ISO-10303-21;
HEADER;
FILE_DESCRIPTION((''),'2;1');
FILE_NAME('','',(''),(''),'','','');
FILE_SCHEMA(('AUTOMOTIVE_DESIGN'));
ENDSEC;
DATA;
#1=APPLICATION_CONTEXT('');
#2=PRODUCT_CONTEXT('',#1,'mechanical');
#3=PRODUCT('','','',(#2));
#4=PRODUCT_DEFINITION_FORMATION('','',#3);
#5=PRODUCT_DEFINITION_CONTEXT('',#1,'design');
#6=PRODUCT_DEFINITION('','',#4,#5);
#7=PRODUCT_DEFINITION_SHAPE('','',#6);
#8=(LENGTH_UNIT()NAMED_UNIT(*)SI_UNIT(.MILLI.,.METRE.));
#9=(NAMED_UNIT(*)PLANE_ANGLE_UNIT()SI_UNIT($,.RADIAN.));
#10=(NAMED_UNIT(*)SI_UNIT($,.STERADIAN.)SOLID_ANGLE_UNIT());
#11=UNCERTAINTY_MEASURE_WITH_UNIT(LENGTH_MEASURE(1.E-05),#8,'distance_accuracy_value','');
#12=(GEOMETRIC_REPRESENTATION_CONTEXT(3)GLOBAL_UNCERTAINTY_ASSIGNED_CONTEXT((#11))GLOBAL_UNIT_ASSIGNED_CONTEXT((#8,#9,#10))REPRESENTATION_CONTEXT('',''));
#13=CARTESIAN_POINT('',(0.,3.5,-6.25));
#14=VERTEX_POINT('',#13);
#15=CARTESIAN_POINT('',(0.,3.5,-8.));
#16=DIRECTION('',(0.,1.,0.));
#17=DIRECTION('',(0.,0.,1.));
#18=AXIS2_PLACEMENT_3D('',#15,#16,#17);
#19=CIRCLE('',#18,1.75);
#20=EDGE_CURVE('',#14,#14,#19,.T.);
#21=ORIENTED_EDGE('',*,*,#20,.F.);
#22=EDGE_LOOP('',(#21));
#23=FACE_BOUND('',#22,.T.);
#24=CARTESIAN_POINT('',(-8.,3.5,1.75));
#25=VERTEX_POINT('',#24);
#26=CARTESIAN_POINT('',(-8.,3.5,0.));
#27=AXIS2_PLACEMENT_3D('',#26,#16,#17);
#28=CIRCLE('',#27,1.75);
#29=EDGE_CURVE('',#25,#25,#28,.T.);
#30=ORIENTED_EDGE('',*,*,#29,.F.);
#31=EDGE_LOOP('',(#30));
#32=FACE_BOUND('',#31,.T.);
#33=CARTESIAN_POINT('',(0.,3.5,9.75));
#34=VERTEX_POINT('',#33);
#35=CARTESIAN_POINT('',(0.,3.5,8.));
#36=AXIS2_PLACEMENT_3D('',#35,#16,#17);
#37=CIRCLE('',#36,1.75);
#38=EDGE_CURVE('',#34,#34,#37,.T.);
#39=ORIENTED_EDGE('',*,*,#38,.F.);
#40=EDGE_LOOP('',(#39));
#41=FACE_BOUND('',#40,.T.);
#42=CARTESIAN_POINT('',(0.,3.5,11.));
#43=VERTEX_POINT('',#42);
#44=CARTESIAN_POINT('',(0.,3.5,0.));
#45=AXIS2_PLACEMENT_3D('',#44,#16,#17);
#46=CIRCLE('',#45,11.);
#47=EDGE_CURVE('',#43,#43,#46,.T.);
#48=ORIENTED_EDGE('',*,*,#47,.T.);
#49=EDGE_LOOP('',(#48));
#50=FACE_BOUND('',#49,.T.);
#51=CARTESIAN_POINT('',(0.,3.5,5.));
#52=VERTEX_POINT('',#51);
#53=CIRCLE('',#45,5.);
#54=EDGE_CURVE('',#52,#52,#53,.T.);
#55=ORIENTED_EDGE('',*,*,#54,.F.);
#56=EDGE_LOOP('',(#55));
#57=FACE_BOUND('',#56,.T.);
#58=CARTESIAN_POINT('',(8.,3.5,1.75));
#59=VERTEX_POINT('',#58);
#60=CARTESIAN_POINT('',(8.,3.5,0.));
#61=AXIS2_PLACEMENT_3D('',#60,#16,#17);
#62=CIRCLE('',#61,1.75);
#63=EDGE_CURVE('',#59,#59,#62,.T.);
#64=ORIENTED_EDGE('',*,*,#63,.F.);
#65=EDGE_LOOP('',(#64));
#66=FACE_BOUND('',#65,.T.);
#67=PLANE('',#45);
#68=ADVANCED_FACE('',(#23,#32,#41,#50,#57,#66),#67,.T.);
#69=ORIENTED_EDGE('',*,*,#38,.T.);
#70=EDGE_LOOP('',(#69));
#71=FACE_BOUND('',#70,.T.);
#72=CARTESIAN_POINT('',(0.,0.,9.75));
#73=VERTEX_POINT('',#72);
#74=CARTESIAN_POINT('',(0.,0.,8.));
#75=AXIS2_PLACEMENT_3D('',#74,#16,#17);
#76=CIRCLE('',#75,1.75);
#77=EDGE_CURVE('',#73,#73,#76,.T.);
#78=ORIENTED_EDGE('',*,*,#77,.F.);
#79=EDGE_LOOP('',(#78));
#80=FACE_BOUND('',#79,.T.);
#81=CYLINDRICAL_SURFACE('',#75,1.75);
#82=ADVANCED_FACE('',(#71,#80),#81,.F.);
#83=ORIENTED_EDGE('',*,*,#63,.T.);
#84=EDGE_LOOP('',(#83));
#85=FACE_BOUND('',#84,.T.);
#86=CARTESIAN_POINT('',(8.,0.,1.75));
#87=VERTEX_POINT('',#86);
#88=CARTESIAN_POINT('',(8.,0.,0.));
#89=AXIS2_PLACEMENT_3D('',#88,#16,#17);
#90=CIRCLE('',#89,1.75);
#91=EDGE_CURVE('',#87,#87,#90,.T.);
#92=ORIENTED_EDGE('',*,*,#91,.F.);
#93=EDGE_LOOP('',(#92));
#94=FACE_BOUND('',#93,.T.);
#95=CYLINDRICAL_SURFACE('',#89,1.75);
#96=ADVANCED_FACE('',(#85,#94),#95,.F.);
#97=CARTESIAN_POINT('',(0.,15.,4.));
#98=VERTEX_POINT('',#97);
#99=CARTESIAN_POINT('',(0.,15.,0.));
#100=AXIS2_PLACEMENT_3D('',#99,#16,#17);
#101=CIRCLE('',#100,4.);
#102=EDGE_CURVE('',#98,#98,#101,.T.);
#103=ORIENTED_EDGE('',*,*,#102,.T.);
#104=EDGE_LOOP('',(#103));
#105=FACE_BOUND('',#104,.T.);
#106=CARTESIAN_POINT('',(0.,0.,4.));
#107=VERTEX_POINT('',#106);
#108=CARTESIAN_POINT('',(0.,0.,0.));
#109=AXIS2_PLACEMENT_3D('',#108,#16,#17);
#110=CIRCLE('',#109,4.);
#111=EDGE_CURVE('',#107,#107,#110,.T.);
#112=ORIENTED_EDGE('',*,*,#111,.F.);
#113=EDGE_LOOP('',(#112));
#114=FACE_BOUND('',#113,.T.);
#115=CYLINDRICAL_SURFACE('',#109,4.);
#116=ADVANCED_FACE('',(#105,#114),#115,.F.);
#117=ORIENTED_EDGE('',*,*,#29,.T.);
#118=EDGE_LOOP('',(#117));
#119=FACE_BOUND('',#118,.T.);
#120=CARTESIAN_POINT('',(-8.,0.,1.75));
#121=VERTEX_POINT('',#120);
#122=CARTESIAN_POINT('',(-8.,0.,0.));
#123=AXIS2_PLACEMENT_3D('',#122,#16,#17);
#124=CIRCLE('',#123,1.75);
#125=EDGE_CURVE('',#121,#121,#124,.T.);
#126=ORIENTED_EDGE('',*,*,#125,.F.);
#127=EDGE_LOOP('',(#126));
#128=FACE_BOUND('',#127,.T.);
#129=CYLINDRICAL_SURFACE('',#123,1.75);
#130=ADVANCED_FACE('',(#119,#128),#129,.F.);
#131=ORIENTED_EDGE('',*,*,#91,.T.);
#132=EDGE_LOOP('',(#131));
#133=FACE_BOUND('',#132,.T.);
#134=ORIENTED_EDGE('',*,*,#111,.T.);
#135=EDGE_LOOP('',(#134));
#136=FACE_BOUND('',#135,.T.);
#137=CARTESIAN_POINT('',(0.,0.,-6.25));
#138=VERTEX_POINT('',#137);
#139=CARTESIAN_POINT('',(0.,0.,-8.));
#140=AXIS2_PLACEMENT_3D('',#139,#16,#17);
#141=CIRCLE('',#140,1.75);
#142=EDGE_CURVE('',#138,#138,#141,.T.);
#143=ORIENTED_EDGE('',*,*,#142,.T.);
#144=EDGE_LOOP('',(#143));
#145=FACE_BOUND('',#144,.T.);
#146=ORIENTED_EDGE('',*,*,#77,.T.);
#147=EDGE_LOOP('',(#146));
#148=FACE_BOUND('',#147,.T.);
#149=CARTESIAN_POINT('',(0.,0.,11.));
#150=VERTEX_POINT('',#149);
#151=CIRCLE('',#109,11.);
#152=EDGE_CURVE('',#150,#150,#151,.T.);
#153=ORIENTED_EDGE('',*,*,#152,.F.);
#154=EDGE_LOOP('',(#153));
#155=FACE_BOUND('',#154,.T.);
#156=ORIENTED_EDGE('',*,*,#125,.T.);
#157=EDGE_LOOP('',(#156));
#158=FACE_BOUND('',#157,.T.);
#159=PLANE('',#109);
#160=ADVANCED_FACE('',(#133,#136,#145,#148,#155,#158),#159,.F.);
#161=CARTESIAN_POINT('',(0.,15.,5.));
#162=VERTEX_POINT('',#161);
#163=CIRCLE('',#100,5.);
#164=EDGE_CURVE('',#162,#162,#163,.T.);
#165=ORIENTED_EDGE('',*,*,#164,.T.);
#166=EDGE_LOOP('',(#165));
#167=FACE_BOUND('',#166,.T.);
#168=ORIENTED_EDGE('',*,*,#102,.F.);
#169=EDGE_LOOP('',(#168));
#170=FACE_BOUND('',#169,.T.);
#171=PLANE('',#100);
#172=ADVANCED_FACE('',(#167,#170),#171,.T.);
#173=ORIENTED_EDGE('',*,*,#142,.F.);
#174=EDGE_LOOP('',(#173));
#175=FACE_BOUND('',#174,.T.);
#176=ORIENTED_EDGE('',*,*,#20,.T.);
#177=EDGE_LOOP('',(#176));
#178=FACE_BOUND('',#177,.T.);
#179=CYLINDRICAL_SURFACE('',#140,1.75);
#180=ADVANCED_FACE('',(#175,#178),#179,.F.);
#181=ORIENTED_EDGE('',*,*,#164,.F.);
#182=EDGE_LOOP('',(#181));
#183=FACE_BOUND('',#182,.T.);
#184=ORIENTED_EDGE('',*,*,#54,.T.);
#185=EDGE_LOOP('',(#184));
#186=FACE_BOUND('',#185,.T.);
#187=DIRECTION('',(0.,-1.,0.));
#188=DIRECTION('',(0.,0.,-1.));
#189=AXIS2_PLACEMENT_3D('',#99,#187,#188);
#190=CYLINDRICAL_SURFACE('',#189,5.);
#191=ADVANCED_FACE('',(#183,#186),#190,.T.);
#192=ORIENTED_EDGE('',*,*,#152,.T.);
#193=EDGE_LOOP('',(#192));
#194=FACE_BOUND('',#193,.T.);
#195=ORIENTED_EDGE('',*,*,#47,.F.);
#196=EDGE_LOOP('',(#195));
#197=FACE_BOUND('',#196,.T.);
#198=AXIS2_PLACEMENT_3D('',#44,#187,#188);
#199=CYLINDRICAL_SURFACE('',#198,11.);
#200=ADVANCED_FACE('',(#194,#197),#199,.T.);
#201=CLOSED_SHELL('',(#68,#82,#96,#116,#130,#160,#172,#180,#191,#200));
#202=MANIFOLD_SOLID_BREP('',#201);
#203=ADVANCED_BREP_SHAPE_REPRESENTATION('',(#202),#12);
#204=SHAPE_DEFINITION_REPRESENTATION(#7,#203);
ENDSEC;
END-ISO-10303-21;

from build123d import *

# Parameters (mm, degrees)
SKETCH_1_R          = 11
EXTRUDE_1_DEPTH     = 3.5
SKETCH_2_R          = 5
EXTRUDE_2_DEPTH     = 11.5
SKETCH_3_R          = 4
CUT_EXTRUDE_1_DEPTH = 22.610182785
SKETCH_4_R          = 1.75
CUT_EXTRUDE_2_DEPTH = 20.345542122


with BuildPart() as part:
    # 草图1 → 凸台-拉伸1 (new body)
    with BuildSketch(Plane(origin=(0, 0, 0), x_dir=(1, 0, 0), z_dir=(0, 1, 0))):
        with Locations(Location((0, 0, 0), (0, 0, 270))):
            Circle(SKETCH_1_R)
    extrude(amount=EXTRUDE_1_DEPTH)

    # 草图2 → 凸台-拉伸2 (add)
    with BuildSketch(Plane(origin=(0, 3.5, 0), x_dir=(1, 0, 0), z_dir=(0, 1, 0))):
        with Locations(Location((0, 0, 0), (0, 0, 270))):
            Circle(SKETCH_2_R)
    extrude(amount=EXTRUDE_2_DEPTH)

    # 草图3 → 切除-拉伸1 (cut, through all)
    with BuildSketch(Plane(origin=(0, 15, 0), x_dir=(1, 0, 0), z_dir=(0, 1, 0))):
        with Locations(Location((0, 0, 0), (0, 0, 270))):
            Circle(SKETCH_3_R)
    extrude(amount=-CUT_EXTRUDE_1_DEPTH, mode=Mode.SUBTRACT)

    # 草图4 → 切除-拉伸2 (cut, through all)
    with BuildSketch(Plane(origin=(0, 3.5, 0), x_dir=(1, 0, 0), z_dir=(0, 1, 0))):
        with Locations(Location((0, 8, 0), (0, 0, 270))):
            Circle(SKETCH_4_R)
        with Locations(Location((8, 0, 0), (0, 0, 270))):
            Circle(SKETCH_4_R)
        with Locations(Location((0, -8, 0), (0, 0, 270))):
            Circle(SKETCH_4_R)
        with Locations(Location((-8, 0, 0), (0, 0, 270))):
            Circle(SKETCH_4_R)
    extrude(amount=-CUT_EXTRUDE_2_DEPTH, mode=Mode.SUBTRACT)


solid = part.part
